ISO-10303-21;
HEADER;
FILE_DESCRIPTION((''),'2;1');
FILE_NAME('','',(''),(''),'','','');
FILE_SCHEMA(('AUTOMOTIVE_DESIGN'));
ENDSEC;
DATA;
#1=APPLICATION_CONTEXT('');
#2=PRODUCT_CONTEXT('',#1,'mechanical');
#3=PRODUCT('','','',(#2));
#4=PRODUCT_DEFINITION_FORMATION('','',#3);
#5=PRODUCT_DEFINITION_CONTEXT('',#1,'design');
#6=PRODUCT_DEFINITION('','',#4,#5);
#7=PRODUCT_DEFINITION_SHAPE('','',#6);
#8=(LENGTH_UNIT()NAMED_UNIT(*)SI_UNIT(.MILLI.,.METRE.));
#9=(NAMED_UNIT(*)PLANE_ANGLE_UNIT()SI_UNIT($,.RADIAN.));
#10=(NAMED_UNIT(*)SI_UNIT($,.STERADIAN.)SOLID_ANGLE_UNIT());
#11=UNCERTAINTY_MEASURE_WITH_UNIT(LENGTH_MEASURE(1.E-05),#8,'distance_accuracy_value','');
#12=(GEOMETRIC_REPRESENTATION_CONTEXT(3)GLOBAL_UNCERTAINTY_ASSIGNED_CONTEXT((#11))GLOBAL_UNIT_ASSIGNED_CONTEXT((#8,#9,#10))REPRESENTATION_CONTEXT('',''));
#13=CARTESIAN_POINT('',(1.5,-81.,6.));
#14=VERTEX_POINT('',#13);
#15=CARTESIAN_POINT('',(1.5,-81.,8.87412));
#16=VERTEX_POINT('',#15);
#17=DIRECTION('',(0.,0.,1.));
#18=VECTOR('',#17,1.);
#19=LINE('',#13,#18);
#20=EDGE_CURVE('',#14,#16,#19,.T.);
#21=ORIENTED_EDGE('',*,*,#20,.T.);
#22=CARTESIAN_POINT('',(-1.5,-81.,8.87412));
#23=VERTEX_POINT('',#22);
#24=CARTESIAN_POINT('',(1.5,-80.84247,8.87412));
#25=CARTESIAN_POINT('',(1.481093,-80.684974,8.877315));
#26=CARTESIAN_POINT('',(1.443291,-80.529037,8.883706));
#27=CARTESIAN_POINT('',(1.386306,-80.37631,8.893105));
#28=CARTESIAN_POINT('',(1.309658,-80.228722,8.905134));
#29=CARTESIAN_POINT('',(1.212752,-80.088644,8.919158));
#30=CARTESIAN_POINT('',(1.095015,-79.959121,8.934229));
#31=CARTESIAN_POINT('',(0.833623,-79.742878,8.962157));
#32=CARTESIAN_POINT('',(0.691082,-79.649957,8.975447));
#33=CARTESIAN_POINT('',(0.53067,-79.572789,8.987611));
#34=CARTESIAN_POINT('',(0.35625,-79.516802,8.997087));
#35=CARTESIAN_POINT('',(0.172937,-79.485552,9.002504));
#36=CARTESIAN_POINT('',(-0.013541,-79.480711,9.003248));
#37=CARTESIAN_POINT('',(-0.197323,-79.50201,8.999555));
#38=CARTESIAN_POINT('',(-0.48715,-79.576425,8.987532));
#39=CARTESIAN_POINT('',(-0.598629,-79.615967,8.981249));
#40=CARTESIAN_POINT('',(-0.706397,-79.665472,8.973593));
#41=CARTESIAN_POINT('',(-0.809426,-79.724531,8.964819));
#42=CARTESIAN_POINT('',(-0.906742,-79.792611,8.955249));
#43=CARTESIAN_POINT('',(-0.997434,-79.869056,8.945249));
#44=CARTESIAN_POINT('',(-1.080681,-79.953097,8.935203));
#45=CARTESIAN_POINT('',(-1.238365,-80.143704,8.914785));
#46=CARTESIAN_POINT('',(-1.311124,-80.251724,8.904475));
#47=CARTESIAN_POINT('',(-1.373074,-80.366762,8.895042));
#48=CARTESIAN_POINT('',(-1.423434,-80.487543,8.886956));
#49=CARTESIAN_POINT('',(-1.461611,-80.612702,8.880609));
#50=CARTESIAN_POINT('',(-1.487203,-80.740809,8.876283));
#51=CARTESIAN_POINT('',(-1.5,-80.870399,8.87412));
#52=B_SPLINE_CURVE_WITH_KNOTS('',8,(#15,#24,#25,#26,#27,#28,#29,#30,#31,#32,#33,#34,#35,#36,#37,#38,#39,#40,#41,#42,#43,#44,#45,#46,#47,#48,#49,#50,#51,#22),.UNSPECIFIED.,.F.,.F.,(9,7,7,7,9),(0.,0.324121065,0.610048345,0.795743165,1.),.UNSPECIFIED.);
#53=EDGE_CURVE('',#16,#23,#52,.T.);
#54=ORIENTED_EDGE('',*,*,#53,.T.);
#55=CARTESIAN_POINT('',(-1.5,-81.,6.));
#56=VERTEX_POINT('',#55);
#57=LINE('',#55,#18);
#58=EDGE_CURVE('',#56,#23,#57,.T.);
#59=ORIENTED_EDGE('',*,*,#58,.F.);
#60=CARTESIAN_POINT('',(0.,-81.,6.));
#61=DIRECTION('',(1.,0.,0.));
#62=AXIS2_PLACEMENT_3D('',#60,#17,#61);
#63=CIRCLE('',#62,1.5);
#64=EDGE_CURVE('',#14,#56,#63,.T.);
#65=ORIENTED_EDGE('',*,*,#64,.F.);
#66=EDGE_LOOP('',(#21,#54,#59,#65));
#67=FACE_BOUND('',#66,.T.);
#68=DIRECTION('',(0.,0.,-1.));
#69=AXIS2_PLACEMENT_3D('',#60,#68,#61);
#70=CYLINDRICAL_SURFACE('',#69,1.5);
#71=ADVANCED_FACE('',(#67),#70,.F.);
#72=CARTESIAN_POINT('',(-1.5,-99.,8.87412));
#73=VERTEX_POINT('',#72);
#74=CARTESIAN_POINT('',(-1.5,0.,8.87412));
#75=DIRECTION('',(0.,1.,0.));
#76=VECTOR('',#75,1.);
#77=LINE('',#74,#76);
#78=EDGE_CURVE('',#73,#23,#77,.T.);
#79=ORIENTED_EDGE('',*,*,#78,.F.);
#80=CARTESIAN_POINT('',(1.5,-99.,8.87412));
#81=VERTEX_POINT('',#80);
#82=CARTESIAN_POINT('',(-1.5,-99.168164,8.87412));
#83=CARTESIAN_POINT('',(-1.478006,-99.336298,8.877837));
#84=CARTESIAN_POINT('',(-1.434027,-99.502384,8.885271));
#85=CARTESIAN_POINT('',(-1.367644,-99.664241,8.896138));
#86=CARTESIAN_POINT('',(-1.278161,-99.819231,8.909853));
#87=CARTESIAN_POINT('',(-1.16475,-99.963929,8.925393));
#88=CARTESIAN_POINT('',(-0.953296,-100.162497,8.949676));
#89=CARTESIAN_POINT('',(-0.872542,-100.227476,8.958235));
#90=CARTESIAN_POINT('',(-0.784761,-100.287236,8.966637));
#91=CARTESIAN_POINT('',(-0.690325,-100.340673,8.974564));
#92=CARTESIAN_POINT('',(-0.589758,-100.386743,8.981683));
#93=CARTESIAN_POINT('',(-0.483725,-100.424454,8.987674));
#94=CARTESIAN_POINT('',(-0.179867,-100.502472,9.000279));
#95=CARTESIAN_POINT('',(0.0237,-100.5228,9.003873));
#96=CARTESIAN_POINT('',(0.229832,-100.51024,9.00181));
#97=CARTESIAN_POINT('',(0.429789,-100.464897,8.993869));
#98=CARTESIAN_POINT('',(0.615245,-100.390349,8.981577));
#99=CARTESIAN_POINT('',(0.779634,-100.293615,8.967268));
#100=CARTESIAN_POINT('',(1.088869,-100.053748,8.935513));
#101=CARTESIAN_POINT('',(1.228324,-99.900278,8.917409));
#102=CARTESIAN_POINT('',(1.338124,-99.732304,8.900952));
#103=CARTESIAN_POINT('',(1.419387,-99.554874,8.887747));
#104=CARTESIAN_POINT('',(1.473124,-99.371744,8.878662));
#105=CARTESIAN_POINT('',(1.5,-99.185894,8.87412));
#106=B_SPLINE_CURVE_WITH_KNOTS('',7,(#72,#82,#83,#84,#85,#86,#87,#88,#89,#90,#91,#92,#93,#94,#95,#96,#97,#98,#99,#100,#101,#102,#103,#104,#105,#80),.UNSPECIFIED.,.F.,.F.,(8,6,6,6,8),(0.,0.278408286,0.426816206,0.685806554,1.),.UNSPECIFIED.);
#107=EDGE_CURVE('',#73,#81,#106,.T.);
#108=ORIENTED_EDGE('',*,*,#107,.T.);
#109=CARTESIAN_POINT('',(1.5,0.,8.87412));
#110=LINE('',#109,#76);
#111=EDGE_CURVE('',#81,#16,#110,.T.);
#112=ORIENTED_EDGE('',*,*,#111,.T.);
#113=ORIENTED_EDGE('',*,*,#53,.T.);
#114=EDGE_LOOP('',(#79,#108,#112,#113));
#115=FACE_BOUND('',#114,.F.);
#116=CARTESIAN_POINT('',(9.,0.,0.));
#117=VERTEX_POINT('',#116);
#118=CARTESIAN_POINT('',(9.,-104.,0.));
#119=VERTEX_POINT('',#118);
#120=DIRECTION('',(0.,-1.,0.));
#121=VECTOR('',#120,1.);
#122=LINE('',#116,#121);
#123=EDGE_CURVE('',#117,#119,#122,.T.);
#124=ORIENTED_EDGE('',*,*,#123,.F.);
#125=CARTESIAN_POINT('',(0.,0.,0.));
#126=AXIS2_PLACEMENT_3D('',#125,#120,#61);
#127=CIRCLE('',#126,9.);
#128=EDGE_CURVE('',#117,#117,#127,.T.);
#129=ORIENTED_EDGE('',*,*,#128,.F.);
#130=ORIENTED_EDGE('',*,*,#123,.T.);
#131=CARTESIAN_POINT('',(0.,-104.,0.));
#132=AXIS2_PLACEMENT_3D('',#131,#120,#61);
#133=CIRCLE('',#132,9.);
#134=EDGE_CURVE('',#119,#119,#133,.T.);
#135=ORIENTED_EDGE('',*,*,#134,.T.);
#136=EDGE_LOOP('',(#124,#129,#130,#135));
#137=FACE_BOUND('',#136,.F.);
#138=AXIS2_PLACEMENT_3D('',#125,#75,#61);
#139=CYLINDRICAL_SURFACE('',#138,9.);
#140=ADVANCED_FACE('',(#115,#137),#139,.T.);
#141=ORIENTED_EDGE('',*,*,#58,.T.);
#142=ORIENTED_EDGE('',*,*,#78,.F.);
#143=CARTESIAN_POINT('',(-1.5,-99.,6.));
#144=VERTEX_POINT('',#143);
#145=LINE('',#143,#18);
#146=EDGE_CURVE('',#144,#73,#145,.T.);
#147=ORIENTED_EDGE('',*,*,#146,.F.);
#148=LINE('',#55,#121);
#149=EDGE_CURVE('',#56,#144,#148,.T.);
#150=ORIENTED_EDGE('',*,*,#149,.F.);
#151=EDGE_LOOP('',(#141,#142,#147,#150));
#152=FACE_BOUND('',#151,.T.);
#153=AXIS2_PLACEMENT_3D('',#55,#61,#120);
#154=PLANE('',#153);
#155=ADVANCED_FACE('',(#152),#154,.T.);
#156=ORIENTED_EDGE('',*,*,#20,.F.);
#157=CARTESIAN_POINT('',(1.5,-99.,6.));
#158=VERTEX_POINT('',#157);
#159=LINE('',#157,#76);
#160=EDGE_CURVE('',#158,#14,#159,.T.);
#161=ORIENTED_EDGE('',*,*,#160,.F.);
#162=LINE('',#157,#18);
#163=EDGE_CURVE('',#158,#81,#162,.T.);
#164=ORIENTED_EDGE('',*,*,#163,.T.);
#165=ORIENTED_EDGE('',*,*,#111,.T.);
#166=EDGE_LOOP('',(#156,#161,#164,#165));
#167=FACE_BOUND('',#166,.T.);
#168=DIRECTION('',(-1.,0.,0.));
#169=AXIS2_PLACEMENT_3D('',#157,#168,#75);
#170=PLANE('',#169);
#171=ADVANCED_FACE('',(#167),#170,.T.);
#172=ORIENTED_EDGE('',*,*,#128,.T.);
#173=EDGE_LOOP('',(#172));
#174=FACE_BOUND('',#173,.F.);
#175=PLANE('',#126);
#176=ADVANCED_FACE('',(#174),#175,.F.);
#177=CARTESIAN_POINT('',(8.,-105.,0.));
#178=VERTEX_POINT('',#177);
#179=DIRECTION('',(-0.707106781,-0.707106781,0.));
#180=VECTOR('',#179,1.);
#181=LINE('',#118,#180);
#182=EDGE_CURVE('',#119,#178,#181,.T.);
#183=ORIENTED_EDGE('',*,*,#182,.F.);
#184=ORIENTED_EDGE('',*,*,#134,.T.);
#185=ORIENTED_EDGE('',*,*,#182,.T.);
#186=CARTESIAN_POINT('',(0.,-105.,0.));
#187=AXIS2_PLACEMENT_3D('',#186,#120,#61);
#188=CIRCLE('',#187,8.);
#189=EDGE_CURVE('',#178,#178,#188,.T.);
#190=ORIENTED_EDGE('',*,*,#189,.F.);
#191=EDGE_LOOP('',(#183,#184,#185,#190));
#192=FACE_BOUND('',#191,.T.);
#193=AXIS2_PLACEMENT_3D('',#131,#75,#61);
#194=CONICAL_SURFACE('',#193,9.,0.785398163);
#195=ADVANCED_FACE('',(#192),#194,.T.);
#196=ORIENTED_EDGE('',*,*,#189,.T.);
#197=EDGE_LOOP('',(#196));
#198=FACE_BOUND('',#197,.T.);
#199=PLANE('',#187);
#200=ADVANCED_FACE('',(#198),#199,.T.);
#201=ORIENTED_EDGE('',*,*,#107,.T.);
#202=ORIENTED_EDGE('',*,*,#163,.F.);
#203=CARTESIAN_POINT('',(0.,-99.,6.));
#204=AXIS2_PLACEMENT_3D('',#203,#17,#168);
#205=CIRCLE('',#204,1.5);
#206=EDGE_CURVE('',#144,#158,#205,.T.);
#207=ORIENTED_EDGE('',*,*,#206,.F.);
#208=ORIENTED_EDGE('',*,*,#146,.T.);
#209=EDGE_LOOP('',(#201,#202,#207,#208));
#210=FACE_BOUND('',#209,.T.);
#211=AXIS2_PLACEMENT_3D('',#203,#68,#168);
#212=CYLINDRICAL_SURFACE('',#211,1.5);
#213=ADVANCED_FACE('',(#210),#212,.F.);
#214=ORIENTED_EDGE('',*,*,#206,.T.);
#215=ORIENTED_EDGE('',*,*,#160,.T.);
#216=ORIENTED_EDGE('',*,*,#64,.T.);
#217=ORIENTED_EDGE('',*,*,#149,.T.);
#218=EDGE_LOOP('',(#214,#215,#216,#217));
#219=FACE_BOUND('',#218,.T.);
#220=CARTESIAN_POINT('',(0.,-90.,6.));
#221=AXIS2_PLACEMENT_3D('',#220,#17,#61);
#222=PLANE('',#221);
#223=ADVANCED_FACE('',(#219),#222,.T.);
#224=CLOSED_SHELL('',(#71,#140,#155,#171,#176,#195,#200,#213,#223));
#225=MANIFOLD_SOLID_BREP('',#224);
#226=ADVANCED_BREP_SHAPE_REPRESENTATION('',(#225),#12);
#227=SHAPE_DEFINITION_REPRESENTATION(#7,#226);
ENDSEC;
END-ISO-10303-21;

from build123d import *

# Parameters (mm, degrees)
F0_R     = 9
F1_DEPTH = 105
F2_SIZE  = 1
F5_DEPTH = 25


with BuildPart() as f1:
    # F0 (on Front) → F1 (new body)
    with BuildSketch(Plane.XZ):
        Circle(F0_R)
    extrude(amount=F1_DEPTH)

    # F2
    f2_edges = [f1.edges().sort_by_distance(p)[0] for p in [
        (-9, -105, 0),
    ]]
    chamfer(f2_edges, length=F2_SIZE)

    # F4 (on offset) → F5 (cut)
    with BuildSketch(Plane.XY.offset(6)):
        with BuildLine():
            ThreePointArc((1.5, -81), (0, -79.5), (-1.5, -81))
            Line((-1.5, -81), (-1.5, -99))
            ThreePointArc((-1.5, -99), (0, -100.5), (1.5, -99))
            Line((1.5, -99), (1.5, -81))
        make_face()
    extrude(amount=F5_DEPTH, mode=Mode.SUBTRACT)


solid = f1.part
